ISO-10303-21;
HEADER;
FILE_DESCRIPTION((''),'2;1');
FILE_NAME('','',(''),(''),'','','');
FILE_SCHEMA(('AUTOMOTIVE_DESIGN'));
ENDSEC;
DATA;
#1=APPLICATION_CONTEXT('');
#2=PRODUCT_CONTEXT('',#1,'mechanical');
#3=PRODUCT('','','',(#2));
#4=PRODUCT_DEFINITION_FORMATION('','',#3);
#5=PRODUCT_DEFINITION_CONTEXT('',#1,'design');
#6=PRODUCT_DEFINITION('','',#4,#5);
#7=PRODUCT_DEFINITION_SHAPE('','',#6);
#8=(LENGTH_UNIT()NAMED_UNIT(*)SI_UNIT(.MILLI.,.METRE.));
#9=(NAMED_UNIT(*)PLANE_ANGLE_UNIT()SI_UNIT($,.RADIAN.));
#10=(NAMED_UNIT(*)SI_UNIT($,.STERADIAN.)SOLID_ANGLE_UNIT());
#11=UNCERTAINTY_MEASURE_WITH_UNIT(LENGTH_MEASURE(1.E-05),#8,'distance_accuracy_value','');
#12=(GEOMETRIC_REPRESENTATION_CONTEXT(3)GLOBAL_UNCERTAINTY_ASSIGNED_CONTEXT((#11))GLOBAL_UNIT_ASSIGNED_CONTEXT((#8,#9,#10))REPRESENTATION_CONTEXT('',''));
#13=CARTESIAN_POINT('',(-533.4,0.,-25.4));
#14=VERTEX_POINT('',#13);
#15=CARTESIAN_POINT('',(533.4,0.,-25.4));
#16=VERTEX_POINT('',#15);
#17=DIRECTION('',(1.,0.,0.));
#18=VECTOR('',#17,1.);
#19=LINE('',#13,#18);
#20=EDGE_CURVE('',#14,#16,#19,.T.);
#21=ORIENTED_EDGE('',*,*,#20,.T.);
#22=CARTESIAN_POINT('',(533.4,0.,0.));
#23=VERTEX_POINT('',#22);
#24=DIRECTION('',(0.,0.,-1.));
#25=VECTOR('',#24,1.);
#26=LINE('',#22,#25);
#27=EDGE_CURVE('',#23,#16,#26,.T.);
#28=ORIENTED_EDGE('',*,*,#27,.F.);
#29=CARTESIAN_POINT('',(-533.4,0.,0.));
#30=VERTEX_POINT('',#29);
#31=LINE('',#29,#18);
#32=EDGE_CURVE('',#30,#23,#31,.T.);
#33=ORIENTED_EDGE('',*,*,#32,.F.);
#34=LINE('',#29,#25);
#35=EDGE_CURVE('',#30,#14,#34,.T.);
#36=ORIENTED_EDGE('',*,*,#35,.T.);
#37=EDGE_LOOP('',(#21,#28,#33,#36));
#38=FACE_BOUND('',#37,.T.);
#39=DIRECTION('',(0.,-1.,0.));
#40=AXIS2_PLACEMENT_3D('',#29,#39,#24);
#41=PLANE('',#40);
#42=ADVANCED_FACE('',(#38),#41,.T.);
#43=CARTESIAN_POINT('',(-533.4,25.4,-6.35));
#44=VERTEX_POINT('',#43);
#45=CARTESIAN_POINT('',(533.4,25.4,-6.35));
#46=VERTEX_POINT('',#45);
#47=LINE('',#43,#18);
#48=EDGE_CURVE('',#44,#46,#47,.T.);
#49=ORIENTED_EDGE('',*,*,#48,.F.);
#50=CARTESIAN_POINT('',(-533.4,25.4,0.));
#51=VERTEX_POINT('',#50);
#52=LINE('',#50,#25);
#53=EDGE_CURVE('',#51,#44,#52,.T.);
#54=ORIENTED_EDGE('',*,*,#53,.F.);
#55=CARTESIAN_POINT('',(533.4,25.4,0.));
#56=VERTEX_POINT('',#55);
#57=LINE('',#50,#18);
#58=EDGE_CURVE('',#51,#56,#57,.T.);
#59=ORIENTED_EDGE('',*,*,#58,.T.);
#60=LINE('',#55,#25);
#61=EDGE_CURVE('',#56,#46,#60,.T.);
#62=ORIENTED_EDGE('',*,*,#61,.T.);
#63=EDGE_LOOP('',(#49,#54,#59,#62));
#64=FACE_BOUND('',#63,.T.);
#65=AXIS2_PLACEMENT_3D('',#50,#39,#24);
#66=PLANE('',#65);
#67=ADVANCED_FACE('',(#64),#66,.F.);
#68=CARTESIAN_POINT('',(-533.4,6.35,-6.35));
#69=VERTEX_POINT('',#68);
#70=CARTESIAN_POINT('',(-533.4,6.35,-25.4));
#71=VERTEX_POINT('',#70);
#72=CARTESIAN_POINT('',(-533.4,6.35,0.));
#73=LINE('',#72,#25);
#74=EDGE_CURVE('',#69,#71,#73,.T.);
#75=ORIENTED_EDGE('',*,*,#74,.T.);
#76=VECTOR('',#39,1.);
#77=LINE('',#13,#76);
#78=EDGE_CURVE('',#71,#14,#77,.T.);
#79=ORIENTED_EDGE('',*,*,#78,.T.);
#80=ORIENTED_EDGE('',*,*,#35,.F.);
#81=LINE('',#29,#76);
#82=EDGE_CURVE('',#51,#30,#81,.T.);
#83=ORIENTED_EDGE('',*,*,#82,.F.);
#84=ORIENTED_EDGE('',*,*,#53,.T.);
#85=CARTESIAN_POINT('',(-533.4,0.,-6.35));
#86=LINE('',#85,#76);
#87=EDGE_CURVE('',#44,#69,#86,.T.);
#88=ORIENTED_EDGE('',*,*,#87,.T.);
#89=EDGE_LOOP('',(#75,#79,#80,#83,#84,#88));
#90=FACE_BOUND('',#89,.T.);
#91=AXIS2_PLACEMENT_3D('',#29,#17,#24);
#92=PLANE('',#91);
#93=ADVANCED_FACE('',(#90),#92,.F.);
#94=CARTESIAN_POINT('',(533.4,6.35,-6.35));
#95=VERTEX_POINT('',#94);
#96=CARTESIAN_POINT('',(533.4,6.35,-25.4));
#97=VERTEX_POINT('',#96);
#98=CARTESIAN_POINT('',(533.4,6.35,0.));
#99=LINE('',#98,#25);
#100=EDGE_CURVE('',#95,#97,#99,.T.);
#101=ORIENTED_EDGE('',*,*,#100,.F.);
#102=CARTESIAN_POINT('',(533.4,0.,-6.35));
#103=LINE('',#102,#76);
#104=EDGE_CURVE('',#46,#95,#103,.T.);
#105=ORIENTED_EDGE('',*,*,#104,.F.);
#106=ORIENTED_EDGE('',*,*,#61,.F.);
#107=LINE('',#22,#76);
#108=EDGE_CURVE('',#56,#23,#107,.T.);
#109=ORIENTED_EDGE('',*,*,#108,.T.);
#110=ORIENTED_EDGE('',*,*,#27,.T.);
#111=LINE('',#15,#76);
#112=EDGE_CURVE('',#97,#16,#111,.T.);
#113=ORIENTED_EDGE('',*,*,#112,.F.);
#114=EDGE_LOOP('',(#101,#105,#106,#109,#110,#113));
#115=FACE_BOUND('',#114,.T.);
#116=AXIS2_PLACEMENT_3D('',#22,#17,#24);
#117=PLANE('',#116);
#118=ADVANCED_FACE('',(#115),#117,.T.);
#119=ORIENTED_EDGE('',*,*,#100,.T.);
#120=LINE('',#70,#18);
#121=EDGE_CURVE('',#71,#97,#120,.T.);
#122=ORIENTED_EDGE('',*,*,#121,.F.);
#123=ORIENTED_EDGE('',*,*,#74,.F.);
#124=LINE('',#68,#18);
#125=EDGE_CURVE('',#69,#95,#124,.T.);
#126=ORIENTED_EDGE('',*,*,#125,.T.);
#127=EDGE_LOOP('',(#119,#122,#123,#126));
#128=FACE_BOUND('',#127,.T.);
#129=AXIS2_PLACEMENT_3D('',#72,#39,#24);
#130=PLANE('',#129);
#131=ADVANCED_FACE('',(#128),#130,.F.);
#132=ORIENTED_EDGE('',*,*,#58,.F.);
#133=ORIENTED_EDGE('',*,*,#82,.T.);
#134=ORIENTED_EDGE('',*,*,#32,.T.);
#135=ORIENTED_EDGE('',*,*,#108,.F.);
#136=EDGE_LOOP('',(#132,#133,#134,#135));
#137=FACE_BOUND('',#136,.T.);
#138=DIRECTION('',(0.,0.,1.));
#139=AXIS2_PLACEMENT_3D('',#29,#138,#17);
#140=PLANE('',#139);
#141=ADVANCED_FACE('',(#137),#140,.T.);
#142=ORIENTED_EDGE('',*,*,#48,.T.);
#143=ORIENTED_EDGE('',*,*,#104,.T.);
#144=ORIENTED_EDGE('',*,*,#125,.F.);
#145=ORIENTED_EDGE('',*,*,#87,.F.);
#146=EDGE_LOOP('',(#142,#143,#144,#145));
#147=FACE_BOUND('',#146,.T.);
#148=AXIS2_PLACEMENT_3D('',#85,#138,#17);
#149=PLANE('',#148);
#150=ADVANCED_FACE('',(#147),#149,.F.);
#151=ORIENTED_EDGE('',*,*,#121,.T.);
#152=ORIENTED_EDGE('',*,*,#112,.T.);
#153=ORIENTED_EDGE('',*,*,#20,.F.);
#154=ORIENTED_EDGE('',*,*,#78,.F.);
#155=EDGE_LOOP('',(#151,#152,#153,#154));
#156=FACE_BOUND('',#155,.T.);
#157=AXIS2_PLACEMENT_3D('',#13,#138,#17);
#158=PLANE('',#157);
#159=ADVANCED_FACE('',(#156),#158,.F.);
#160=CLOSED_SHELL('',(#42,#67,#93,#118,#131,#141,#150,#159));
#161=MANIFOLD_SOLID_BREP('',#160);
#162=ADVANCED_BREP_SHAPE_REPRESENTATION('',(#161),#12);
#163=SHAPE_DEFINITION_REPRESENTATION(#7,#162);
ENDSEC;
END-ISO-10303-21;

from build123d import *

# Parameters (mm, degrees)
BOSS_EXTRUDE1_DEPTH      = 533.4
BOSS_EXTRUDE1_DEPTH_BACK = 533.4


with BuildPart() as part:
    # Sketch1 → Boss-Extrude1 (new body, two sides)
    with BuildSketch(Plane(origin=(0, 0, 0), x_dir=(0, 0, -1), z_dir=(1, 0, 0))) as boss_extrude1_sk:
        Polygon((25.4, 6.35), (25.4, 0), (0, 0), (0, 25.4), (6.35, 25.4), (6.35, 6.35), align=None)
    extrude(amount=BOSS_EXTRUDE1_DEPTH)
    extrude(boss_extrude1_sk.sketch, amount=-BOSS_EXTRUDE1_DEPTH_BACK)


solid = part.part
